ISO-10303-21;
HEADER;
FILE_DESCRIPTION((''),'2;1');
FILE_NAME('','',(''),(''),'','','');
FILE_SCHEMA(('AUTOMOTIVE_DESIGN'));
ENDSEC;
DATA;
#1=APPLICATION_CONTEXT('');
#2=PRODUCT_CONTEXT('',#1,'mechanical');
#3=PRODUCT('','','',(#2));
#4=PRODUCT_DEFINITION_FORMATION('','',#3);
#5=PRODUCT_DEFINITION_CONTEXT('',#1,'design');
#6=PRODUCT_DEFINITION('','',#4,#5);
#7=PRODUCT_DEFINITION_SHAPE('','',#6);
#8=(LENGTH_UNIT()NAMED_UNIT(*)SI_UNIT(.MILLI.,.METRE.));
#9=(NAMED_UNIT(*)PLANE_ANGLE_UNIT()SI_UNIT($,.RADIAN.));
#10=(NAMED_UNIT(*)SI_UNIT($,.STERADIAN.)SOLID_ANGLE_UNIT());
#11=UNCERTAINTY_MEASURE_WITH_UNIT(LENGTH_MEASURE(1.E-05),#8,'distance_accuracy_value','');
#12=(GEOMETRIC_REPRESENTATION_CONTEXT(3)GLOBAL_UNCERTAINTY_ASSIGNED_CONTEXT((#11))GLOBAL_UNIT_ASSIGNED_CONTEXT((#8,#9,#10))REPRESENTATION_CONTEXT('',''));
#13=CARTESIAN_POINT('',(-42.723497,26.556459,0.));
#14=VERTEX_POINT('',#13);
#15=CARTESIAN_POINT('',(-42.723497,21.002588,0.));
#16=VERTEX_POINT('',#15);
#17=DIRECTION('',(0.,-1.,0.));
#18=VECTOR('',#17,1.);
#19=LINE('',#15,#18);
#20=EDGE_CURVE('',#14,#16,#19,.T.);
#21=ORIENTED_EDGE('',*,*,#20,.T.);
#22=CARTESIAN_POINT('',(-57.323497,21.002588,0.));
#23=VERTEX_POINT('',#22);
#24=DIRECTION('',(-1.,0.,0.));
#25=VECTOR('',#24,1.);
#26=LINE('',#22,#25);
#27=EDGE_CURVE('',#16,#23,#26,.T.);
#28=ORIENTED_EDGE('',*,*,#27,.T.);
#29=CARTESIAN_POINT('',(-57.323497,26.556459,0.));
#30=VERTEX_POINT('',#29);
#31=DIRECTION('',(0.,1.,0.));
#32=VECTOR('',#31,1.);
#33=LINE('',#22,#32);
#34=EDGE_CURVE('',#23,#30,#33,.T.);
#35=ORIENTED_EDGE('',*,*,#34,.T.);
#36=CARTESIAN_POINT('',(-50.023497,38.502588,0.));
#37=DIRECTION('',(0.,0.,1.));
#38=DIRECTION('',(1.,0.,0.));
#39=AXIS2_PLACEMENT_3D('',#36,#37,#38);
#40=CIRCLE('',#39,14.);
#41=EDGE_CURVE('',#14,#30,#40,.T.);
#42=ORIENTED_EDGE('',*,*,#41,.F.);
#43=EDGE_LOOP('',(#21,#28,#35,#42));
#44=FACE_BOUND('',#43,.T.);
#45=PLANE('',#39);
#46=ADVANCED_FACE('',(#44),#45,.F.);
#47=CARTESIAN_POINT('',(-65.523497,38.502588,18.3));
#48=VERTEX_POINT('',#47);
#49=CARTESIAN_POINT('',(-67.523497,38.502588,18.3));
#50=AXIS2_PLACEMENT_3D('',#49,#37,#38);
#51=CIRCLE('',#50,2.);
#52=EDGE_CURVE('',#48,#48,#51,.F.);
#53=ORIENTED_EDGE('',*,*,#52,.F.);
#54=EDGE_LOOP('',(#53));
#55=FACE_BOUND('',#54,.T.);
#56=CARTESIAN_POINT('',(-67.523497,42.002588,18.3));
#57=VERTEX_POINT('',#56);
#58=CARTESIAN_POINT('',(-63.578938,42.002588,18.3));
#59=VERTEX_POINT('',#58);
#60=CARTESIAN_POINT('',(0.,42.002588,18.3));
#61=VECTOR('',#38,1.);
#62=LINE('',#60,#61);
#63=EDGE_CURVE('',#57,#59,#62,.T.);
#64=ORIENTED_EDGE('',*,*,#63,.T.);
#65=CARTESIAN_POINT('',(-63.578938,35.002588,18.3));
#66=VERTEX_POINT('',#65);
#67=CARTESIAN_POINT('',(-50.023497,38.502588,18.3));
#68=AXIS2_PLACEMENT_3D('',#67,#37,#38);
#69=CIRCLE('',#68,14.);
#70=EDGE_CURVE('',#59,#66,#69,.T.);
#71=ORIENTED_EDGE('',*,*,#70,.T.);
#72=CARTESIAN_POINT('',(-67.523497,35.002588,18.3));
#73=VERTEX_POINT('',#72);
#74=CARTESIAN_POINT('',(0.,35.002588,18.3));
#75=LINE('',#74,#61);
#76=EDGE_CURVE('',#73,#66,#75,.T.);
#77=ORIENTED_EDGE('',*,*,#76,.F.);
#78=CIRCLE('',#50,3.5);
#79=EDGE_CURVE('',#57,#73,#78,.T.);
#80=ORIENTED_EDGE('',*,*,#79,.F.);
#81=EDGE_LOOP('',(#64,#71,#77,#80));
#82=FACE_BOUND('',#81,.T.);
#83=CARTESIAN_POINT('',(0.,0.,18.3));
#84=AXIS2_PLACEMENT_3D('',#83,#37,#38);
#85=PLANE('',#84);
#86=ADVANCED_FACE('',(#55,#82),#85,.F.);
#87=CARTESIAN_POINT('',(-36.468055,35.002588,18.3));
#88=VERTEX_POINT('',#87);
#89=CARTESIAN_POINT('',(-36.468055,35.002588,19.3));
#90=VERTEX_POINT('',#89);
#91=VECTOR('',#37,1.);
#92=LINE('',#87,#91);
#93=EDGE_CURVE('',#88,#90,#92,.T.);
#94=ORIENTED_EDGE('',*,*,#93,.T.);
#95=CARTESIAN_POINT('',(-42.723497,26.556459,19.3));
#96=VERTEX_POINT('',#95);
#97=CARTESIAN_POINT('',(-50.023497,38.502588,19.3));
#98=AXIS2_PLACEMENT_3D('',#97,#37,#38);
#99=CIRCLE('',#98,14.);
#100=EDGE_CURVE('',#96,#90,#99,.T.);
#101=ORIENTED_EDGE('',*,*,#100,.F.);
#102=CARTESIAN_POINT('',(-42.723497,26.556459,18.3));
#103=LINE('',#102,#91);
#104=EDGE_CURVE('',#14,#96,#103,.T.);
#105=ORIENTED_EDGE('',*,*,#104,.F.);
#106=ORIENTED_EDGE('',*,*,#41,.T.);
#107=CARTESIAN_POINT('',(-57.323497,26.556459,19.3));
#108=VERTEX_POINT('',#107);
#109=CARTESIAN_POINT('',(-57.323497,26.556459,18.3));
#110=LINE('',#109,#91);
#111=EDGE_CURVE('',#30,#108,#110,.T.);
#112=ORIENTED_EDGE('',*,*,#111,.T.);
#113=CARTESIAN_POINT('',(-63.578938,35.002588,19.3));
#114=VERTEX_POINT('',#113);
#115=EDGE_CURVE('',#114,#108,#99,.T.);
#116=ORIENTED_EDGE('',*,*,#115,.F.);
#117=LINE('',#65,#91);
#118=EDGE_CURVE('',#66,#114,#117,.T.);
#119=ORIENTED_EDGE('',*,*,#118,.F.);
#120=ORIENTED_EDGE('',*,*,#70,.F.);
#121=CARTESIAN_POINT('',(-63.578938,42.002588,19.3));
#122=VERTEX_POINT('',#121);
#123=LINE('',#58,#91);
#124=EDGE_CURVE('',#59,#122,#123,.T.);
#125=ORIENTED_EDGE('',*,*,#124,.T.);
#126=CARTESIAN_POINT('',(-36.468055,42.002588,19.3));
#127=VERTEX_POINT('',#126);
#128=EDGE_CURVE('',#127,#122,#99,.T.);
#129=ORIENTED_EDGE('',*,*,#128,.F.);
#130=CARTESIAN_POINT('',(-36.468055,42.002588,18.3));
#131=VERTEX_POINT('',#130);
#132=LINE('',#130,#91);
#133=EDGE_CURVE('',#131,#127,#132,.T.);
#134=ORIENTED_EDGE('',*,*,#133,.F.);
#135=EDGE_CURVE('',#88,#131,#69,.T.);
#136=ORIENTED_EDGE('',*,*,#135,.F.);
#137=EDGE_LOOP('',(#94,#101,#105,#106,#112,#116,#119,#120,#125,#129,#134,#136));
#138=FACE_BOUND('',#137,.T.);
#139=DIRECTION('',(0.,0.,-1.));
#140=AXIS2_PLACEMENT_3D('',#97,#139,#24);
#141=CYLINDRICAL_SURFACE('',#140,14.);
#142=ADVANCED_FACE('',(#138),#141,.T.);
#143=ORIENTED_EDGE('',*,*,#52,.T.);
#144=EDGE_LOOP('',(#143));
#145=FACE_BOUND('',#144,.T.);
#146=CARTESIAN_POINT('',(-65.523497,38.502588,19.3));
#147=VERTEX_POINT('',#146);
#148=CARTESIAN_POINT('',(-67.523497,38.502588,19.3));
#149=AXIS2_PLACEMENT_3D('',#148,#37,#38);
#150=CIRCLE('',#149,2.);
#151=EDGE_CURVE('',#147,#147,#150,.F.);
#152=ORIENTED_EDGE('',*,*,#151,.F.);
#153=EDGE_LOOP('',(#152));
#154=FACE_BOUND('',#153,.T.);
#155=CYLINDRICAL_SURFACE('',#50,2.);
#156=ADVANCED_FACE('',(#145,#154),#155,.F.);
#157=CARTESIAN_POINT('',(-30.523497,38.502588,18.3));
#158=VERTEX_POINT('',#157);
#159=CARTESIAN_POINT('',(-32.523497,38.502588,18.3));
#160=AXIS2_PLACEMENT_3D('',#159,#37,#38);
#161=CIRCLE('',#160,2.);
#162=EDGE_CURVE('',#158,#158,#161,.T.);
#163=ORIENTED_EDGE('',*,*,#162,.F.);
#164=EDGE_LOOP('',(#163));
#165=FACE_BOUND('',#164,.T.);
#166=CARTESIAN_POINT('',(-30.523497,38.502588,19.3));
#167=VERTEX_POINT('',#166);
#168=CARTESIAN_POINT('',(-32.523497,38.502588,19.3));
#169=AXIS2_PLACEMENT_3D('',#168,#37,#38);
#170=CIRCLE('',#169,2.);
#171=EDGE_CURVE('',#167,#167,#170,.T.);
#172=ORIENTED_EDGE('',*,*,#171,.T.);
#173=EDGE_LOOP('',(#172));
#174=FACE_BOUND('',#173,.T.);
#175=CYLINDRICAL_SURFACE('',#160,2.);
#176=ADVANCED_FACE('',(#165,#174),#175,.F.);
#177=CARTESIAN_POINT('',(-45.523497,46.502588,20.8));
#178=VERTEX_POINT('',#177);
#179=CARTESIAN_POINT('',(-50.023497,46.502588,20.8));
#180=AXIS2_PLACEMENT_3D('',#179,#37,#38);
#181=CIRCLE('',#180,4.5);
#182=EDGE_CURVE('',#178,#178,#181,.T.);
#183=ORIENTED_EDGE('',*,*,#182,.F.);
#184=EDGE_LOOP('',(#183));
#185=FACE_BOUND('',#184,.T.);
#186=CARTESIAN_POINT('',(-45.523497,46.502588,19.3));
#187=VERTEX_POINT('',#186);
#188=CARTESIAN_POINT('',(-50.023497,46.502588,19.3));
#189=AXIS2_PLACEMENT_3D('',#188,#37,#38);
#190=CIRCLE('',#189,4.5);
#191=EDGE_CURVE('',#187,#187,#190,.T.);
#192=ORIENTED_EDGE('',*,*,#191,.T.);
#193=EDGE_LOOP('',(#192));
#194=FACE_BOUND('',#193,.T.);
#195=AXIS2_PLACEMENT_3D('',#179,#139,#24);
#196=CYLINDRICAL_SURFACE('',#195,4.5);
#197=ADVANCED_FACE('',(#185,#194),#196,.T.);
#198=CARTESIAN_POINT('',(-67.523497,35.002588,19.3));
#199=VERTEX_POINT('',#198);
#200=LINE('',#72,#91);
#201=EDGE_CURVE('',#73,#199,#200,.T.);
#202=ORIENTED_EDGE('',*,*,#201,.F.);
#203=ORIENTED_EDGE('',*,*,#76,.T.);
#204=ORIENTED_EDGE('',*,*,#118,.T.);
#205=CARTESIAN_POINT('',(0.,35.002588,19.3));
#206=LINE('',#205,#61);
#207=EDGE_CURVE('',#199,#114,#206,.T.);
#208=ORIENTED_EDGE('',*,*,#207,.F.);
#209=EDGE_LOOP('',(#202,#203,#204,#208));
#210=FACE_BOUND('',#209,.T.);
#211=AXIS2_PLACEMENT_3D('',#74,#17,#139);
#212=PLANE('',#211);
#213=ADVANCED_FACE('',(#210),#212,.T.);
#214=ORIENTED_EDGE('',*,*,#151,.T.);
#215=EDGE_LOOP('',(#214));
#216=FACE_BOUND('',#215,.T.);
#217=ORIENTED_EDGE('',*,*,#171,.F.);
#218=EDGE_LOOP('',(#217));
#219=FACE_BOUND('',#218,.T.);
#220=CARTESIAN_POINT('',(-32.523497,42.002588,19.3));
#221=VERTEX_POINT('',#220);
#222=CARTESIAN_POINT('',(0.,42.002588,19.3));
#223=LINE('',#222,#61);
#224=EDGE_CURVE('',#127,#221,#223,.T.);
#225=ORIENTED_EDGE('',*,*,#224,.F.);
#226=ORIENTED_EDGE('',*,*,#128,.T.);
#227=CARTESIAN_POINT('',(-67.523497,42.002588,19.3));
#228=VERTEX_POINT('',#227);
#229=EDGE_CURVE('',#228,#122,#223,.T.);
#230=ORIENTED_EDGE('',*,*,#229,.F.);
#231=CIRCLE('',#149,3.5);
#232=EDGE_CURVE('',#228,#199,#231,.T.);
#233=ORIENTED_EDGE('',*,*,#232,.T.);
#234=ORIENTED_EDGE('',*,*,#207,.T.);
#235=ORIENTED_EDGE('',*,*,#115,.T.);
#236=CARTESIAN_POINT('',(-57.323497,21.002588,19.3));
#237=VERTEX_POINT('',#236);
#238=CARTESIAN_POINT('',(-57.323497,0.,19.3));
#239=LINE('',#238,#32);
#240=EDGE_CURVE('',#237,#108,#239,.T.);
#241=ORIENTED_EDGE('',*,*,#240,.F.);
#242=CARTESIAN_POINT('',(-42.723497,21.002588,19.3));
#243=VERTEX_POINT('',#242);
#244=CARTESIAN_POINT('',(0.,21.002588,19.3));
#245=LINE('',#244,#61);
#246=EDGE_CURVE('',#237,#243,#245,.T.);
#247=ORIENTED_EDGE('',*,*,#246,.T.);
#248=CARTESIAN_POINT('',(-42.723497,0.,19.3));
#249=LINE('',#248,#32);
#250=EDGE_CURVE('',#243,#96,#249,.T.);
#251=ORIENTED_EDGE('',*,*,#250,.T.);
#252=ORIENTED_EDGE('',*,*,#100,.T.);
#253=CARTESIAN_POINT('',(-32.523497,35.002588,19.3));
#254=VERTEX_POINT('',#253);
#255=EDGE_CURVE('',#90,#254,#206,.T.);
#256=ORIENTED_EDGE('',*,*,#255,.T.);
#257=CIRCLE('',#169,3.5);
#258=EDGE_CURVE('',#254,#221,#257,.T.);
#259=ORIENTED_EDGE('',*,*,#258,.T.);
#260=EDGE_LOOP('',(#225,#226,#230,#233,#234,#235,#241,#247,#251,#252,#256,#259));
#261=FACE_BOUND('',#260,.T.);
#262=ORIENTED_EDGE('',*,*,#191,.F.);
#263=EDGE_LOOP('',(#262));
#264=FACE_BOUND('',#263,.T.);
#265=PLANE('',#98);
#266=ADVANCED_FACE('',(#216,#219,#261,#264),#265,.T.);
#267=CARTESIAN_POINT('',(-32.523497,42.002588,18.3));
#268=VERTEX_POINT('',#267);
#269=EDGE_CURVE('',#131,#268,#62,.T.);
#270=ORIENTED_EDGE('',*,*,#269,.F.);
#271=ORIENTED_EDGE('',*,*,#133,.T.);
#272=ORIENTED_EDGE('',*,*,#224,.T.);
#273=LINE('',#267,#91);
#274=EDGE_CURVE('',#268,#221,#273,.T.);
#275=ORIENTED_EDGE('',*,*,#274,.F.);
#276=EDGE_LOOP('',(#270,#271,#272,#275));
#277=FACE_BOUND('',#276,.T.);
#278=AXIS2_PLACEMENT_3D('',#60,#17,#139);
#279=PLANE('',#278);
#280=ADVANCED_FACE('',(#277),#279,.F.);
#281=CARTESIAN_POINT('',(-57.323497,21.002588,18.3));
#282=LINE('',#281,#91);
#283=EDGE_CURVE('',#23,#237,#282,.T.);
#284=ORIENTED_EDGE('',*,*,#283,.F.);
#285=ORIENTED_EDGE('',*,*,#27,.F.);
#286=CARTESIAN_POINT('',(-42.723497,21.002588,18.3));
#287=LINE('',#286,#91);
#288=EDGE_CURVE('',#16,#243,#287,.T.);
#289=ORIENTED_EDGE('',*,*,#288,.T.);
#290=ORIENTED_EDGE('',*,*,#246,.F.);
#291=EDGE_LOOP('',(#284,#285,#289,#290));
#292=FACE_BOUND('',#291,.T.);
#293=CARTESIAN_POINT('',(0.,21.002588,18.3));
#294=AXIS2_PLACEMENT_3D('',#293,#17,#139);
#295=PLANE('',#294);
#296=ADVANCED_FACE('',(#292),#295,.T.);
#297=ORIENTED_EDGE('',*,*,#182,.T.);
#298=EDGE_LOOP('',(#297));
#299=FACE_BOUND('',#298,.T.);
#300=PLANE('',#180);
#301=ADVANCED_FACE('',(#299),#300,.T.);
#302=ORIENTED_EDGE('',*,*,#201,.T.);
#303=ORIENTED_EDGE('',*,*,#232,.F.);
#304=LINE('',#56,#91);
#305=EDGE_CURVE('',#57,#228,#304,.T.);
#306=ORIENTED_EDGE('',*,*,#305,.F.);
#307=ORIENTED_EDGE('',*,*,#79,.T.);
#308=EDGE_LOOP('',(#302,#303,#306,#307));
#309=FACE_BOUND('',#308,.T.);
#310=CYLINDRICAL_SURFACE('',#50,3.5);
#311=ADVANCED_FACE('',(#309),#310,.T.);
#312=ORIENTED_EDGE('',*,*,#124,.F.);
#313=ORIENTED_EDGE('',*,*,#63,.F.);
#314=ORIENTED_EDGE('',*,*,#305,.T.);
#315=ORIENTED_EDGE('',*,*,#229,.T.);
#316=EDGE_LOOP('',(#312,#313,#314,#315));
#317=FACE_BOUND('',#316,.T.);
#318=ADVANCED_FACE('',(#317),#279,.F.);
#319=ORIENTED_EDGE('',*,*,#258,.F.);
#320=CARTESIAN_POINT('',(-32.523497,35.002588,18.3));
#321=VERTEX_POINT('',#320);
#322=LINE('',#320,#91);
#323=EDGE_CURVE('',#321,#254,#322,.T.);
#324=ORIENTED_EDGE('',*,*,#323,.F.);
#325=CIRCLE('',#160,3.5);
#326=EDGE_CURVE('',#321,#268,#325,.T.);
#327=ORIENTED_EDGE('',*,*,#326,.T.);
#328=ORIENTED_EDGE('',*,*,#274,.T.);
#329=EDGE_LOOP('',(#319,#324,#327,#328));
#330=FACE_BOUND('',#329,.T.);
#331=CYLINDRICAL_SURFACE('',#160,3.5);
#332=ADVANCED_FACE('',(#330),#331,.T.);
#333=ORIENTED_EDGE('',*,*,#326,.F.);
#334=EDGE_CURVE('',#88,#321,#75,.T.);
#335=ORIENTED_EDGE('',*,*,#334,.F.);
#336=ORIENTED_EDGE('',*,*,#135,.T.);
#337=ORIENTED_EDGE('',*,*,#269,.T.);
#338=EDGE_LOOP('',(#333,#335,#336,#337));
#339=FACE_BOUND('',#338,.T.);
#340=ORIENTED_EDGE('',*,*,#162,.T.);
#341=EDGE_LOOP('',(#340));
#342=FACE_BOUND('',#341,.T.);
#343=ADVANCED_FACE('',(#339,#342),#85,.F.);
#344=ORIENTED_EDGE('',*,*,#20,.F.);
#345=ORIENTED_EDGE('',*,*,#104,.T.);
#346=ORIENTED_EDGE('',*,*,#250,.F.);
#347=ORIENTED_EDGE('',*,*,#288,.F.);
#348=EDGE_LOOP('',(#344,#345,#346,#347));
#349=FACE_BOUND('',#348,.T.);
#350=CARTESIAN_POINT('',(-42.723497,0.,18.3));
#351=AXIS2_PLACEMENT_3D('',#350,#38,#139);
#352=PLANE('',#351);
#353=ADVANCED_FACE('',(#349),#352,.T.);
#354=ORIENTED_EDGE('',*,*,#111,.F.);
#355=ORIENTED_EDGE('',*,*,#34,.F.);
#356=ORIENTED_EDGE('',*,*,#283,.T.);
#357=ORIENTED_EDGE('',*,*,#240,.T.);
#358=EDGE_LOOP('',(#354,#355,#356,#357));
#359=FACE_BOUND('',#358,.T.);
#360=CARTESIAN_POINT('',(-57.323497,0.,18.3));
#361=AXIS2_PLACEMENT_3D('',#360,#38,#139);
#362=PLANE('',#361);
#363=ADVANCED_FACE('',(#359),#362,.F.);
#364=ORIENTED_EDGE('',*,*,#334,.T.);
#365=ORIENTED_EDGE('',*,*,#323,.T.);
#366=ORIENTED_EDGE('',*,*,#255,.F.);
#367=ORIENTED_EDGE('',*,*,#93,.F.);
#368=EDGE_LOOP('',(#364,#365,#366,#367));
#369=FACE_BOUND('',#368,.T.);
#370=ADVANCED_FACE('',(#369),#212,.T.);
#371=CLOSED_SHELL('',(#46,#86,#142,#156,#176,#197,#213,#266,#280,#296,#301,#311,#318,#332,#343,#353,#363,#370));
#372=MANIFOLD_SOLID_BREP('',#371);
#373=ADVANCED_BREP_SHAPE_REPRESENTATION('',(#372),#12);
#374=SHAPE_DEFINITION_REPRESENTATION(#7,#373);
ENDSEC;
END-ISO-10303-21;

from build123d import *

# Parameters (mm, degrees)
SKETCH_1_R      = 14
EXTRUDE_1_DEPTH = 19.3
SKETCH_3_R      = 2
EXTRUDE_2_DEPTH = 1
SKETCH_4_R      = 4.5
EXTRUDE_3_DEPTH = 1.5
SKETCH_6_W      = 14.6
SKETCH_6_H      = 5.55387092
EXTRUDE_4_DEPTH = 19.3


with BuildPart() as part:
    # 草图1 → 凸台-拉伸1 (new body)
    with BuildSketch(Plane.XY):
        with Locations((-50.023496645, 38.50258845)):
            Circle(SKETCH_1_R)
    extrude(amount=EXTRUDE_1_DEPTH)

    # 草图3 → 凸台-拉伸2 (add)
    with BuildSketch(Plane.XY.offset(19.3)):
        with BuildLine():
            Line((-63.578938357, 42.00258845), (-67.523496645, 42.00258845))
            ThreePointArc((-67.523496645, 42.00258845), (-71.023496645, 38.50258845), (-67.523496645, 35.00258845))
            Line((-67.523496645, 35.00258845), (-63.578938357, 35.00258845))
            ThreePointArc((-63.578938357, 35.00258845), (-64.023496645, 38.50258845), (-63.578938357, 42.00258845))
        make_face()
        with Locations((-67.523496645, 38.50258845)):
            Circle(SKETCH_3_R, mode=Mode.SUBTRACT)
        with BuildLine():
            Line((-32.523496645, 42.00258845), (-36.468054934, 42.00258845))
            ThreePointArc((-36.468054934, 42.00258845), (-36.135080898, 40.266648545), (-36.023496645, 38.50258845))
            ThreePointArc((-36.023496645, 38.50258845), (-36.135080898, 36.738528355), (-36.468054934, 35.00258845))
            Line((-36.468054934, 35.00258845), (-32.523496645, 35.00258845))
            ThreePointArc((-32.523496645, 35.00258845), (-29.023496645, 38.50258845), (-32.523496645, 42.00258845))
        make_face()
        with Locations((-32.523496645, 38.50258845)):
            Circle(SKETCH_3_R, mode=Mode.SUBTRACT)
        with BuildLine():
            ThreePointArc((-42.723496645, 26.55645937), (-50.023496645, 24.50258845), (-57.323496645, 26.55645937))
            Line((-57.323496645, 26.55645937), (-57.323496645, 21.00258845))
            Line((-57.323496645, 21.00258845), (-42.723496645, 21.00258845))
            Line((-42.723496645, 21.00258845), (-42.723496645, 26.55645937))
        make_face()
    extrude(amount=-EXTRUDE_2_DEPTH)

    # 草图4 → 凸台-拉伸3 (add)
    with BuildSketch(Plane.XY.offset(19.3)):
        with Locations((-50.023496645, 46.50258845)):
            Circle(SKETCH_4_R)
    extrude(amount=EXTRUDE_3_DEPTH)

    # 草图6 → 凸台-拉伸4 (add)
    with BuildSketch(Plane.XY.offset(19.3)):
        with Locations((-50.023496645, 23.77952391)):
            Rectangle(SKETCH_6_W, SKETCH_6_H)
    extrude(amount=-EXTRUDE_4_DEPTH)


solid = part.part
